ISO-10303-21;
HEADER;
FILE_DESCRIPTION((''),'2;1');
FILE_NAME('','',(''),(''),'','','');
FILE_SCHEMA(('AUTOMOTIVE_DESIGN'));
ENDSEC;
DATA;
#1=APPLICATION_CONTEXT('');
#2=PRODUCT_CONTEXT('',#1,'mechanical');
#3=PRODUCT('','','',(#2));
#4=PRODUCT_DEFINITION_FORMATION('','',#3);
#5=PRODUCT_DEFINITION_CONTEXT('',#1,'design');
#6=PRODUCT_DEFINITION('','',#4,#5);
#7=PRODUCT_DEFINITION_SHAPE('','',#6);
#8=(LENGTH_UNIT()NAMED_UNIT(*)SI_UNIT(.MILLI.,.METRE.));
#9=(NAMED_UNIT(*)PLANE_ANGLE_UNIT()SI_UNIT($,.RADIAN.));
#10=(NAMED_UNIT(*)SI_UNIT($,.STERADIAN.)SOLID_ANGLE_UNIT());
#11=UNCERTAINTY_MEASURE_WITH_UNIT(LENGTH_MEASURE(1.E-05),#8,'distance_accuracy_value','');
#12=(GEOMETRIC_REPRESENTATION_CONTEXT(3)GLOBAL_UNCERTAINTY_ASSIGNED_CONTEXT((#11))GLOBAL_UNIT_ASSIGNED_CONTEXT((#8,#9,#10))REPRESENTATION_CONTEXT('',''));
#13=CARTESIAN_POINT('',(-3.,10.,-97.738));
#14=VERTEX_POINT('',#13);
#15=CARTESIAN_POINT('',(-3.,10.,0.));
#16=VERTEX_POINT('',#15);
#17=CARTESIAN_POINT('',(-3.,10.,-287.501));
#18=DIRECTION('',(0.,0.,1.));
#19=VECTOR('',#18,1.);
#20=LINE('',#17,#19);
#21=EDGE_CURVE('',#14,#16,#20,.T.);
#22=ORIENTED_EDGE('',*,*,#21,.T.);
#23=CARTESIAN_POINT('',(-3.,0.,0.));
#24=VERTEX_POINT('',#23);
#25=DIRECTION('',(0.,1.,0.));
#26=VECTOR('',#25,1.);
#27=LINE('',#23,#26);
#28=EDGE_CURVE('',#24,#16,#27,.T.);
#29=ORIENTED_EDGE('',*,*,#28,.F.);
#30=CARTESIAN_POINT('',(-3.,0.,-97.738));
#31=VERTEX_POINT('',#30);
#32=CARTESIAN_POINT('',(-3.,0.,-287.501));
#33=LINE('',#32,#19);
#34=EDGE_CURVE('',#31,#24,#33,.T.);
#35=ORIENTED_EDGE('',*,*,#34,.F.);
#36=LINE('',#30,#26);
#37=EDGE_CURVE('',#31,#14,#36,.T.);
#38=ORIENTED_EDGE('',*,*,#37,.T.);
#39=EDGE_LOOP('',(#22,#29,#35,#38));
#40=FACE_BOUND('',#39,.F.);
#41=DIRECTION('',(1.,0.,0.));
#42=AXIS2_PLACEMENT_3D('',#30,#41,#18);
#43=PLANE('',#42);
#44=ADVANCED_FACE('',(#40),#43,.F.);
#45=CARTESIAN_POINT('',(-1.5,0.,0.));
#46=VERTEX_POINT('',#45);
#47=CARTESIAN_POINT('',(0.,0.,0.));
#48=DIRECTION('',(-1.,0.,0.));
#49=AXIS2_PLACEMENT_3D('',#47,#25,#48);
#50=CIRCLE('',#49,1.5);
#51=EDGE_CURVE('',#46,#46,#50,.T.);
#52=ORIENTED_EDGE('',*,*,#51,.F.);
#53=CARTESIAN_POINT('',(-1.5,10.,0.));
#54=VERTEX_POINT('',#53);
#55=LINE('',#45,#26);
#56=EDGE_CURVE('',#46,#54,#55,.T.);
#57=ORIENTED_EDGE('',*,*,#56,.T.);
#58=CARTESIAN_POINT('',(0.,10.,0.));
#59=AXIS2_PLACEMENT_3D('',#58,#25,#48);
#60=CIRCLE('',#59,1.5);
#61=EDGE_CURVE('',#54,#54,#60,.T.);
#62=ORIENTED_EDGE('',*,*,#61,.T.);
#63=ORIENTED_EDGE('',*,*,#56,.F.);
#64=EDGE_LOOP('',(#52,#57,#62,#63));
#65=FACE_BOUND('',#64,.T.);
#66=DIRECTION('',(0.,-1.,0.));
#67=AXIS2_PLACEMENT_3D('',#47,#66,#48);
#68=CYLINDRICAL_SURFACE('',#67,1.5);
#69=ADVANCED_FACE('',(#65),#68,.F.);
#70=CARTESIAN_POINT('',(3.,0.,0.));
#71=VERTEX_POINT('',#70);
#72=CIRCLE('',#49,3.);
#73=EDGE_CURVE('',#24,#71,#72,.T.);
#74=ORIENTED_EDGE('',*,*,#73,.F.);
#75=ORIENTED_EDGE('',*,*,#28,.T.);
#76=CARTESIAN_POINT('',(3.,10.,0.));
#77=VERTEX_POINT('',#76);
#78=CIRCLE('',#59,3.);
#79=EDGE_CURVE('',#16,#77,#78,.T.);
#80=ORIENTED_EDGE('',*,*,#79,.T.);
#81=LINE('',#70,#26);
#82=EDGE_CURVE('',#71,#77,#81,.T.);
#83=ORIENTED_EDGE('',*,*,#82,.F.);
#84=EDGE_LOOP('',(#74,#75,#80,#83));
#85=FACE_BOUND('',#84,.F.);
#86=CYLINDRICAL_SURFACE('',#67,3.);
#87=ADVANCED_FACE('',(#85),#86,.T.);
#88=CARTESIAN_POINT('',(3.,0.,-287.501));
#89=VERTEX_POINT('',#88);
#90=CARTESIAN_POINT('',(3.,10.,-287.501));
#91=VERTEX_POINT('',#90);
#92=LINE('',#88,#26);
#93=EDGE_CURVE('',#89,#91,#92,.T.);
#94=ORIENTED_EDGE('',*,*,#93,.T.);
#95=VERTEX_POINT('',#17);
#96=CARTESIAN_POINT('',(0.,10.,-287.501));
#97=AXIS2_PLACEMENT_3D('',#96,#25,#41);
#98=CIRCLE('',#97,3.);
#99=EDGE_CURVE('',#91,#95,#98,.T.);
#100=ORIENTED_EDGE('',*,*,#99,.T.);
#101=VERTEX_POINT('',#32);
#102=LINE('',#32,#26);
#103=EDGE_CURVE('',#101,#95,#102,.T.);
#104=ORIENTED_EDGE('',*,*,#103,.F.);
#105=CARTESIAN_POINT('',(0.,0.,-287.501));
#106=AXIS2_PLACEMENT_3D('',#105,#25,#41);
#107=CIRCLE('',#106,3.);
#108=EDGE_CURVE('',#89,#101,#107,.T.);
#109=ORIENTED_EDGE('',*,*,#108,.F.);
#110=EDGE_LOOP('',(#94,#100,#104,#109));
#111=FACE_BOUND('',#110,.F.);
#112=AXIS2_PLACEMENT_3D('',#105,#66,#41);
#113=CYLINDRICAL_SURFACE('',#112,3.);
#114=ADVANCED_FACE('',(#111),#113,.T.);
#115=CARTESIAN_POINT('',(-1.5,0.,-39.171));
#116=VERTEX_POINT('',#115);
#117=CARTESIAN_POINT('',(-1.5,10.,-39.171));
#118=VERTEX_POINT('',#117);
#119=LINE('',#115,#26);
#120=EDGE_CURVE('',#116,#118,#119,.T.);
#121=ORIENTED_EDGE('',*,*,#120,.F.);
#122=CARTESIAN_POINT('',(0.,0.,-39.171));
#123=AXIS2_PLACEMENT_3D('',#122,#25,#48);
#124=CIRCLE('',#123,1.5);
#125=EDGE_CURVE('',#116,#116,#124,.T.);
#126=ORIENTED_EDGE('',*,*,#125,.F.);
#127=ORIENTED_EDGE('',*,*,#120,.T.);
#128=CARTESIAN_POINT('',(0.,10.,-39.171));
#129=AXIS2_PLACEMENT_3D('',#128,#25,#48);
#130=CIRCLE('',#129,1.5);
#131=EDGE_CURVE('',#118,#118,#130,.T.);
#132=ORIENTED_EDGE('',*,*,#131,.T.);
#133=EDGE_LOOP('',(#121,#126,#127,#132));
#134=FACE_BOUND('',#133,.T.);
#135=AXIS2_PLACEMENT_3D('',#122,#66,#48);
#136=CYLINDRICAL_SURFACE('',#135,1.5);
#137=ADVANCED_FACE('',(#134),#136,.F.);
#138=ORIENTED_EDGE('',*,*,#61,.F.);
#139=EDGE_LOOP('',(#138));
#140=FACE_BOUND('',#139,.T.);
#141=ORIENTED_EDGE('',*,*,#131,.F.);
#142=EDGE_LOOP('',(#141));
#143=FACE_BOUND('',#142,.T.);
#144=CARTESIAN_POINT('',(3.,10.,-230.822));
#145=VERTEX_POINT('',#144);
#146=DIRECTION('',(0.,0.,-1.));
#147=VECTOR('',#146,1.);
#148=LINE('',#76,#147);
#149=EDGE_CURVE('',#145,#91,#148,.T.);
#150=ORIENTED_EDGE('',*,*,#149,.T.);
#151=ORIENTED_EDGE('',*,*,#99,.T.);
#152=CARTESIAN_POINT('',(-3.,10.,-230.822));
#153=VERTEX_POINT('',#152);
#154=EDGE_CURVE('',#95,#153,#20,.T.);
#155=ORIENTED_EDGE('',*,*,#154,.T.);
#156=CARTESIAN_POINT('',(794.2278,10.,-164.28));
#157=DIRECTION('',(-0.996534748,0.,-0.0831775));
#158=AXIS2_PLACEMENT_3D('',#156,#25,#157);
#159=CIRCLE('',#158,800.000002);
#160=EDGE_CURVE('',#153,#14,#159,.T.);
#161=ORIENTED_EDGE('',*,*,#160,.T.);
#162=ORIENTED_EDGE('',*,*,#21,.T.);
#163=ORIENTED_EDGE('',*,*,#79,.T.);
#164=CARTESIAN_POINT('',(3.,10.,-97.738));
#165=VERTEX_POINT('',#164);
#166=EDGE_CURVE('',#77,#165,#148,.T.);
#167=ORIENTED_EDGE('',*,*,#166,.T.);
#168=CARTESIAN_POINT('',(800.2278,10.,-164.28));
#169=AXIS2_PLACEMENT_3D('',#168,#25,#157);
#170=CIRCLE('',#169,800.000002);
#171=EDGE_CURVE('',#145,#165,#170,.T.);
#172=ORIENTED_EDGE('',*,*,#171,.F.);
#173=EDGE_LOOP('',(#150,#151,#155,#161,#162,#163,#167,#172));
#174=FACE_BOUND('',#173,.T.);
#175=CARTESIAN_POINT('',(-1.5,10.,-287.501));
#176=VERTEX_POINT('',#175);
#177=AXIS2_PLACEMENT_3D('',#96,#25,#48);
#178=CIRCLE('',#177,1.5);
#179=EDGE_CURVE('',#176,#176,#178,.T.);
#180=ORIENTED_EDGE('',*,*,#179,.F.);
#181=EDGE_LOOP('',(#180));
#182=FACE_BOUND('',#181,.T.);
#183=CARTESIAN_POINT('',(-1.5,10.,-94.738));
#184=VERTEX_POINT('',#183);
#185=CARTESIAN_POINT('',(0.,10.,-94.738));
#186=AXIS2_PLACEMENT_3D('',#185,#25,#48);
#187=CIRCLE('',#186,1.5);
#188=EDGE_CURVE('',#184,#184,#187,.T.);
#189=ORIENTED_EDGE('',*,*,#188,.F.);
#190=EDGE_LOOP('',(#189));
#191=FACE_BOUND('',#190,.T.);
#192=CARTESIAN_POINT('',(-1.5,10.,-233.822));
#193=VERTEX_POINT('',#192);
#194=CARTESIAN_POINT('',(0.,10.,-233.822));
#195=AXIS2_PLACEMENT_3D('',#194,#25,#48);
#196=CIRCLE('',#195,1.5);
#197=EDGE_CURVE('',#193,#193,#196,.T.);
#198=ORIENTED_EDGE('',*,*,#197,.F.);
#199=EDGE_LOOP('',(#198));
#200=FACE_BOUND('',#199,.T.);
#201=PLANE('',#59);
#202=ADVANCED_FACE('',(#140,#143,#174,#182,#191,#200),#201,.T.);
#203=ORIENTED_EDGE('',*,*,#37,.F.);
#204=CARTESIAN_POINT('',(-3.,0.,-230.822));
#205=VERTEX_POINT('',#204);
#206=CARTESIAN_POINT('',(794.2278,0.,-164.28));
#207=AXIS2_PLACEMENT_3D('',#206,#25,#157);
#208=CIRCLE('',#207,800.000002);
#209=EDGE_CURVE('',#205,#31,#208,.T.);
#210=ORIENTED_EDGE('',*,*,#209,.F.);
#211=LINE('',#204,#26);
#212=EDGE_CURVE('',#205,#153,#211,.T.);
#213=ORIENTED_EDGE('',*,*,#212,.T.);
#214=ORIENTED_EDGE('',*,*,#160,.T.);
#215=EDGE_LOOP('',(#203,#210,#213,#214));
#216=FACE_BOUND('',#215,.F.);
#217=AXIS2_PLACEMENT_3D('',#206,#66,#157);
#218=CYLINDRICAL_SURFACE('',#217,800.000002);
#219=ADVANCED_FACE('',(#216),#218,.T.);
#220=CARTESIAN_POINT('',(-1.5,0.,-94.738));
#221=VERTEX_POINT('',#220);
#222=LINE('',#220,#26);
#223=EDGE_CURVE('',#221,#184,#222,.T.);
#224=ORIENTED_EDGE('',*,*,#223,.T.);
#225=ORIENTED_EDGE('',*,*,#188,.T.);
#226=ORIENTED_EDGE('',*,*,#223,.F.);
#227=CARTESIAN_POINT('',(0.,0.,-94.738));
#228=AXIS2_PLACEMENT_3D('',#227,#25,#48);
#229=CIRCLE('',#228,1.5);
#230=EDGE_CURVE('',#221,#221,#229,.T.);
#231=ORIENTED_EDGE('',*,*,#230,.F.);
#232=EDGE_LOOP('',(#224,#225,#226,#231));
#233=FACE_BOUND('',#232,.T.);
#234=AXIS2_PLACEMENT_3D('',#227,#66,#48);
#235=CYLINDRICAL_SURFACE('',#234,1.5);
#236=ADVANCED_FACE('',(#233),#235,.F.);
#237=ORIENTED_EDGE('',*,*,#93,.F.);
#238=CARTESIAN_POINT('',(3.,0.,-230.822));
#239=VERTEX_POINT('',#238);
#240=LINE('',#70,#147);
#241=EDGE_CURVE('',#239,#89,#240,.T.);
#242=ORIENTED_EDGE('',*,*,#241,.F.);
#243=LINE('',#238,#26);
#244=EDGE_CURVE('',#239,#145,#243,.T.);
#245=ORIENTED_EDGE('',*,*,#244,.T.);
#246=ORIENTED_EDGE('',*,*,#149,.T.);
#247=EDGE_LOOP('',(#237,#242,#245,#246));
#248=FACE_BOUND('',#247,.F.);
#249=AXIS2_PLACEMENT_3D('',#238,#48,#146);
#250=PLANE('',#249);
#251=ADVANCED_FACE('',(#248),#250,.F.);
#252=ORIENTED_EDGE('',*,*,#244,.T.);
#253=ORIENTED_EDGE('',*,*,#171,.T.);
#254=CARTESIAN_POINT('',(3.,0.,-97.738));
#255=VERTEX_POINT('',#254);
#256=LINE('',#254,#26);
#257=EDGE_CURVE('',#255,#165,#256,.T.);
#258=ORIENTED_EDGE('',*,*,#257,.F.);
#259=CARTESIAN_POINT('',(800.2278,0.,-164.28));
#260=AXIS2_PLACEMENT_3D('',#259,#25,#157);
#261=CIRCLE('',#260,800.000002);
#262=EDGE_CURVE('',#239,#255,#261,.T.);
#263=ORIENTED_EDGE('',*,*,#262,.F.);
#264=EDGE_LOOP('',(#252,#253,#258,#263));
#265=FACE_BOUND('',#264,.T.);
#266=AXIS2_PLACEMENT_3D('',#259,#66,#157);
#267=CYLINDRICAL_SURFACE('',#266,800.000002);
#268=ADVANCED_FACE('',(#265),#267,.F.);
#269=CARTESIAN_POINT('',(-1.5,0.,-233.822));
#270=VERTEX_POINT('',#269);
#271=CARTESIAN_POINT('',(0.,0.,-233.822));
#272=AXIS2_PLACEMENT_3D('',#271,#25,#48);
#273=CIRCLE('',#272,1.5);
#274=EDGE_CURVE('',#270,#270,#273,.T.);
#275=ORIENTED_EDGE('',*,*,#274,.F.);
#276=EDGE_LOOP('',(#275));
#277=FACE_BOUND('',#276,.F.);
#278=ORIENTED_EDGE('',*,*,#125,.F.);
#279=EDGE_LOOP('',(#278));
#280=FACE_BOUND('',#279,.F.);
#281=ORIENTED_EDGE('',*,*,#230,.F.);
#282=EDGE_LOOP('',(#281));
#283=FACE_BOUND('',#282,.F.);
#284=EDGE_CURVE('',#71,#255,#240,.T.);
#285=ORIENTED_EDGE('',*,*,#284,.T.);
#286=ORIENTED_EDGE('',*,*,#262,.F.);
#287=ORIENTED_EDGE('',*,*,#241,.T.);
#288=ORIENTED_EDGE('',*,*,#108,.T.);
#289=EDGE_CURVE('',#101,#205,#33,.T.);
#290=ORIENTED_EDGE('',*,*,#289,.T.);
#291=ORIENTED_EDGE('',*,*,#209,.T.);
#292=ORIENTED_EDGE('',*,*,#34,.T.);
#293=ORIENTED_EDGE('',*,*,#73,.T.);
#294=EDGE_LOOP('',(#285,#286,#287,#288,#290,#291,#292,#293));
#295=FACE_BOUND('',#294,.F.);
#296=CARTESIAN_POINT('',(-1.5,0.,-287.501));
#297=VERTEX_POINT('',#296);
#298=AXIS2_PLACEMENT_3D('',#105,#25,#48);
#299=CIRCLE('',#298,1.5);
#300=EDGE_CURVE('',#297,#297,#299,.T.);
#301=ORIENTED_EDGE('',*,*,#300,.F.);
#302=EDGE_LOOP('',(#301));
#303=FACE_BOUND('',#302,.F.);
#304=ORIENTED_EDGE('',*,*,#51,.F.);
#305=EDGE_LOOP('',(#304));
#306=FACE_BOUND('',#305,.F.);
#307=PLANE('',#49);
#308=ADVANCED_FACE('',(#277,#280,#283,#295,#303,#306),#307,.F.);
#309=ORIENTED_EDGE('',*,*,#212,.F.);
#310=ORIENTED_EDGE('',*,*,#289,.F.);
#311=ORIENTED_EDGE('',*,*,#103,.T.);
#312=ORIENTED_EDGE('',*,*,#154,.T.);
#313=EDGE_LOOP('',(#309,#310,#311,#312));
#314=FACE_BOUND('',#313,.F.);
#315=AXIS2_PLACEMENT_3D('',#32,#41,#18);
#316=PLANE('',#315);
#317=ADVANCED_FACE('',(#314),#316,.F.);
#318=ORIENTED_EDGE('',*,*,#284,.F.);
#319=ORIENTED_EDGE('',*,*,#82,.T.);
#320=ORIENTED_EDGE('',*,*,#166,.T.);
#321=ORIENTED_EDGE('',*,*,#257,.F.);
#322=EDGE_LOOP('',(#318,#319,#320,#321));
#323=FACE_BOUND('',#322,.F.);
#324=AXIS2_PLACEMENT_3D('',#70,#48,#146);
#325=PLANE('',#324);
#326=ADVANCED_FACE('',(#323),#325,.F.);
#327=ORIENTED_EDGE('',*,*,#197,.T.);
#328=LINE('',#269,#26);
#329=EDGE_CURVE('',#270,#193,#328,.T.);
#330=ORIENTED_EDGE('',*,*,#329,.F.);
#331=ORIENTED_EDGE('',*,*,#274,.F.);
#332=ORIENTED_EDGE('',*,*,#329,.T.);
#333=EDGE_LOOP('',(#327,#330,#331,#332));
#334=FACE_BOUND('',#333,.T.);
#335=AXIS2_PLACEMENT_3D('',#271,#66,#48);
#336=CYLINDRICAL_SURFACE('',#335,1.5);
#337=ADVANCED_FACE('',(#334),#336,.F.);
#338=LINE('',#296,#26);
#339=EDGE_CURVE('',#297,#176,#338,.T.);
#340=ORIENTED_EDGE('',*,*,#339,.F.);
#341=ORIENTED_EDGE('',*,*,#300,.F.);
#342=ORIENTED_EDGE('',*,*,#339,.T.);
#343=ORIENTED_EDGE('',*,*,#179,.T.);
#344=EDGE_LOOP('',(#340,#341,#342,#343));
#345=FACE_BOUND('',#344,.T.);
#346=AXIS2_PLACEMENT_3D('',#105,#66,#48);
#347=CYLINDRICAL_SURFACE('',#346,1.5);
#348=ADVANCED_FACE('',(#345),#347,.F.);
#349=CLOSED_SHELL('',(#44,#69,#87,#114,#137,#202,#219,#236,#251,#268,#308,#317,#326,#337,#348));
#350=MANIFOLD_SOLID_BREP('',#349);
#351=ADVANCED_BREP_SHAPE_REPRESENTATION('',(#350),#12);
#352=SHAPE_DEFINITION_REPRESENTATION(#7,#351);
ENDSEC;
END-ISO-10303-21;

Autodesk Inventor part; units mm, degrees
ref_plane "YZ Plane" through (0, 0, 0) normal (1, 0, 0) x (0, 1, 0)
ref_plane "XZ Plane" through (0, 0, 0) normal (0, 1, 0) x (-1, 0, 0)
ref_plane "XY Plane" through (0, 0, 0) normal (0, 0, 1) x (1, 0, 0)
sketch "Sketch1" plane through (0, 0, 0) normal (0, 1, 0) x (-1, 0, 0)
  line L0 (0, 0) -> (0, -287.501) construction
  line L1 (-3, 0) -> (-3, -287.501)
  line L2 (3, -287.501) -> (3, 0)
  arc A0 (3, 0) -> (-3, 0) centre (0, 0) ccw
  arc A1 (-3, -287.501) -> (3, -287.501) centre (0, -287.501) ccw
  circle A2 centre (0, 0) radius 1.5
  circle A3 centre (0, -287.501) radius 1.5
  circle A4 centre (0, -39.171) radius 1.5
  circle A5 centre (0, -94.738) radius 1.5
  circle A6 centre (0, -233.822) radius 1.5
  arc A7 (-3, -230.822) -> (-3, -97.738) centre (-800.2278, -164.28) ccw
  arc A8 (3, -230.822) -> (3, -97.738) centre (-794.2278, -164.28) ccw
  point P0 (0, -143.7505)
  dimension "d0" = 6
  dimension "d1" = 287.501
  dimension "d2" = 3
  dimension "d3" = 3
  dimension "d14" = 3
  dimension "d15" = 39.171
  dimension "d16" = 3
  dimension "d17" = 94.738
  dimension "d18" = 3
  dimension "d19" = 233.822
  dimension "d20" = 800
  dimension "d21" = 800
  dimension "d22" = 3
  dimension "d23" = 3
extrude "Extrusion1" add sketch "Sketch1" along normal blind 10 contours A0 L2 A1 L1 A7 | A8 L2
